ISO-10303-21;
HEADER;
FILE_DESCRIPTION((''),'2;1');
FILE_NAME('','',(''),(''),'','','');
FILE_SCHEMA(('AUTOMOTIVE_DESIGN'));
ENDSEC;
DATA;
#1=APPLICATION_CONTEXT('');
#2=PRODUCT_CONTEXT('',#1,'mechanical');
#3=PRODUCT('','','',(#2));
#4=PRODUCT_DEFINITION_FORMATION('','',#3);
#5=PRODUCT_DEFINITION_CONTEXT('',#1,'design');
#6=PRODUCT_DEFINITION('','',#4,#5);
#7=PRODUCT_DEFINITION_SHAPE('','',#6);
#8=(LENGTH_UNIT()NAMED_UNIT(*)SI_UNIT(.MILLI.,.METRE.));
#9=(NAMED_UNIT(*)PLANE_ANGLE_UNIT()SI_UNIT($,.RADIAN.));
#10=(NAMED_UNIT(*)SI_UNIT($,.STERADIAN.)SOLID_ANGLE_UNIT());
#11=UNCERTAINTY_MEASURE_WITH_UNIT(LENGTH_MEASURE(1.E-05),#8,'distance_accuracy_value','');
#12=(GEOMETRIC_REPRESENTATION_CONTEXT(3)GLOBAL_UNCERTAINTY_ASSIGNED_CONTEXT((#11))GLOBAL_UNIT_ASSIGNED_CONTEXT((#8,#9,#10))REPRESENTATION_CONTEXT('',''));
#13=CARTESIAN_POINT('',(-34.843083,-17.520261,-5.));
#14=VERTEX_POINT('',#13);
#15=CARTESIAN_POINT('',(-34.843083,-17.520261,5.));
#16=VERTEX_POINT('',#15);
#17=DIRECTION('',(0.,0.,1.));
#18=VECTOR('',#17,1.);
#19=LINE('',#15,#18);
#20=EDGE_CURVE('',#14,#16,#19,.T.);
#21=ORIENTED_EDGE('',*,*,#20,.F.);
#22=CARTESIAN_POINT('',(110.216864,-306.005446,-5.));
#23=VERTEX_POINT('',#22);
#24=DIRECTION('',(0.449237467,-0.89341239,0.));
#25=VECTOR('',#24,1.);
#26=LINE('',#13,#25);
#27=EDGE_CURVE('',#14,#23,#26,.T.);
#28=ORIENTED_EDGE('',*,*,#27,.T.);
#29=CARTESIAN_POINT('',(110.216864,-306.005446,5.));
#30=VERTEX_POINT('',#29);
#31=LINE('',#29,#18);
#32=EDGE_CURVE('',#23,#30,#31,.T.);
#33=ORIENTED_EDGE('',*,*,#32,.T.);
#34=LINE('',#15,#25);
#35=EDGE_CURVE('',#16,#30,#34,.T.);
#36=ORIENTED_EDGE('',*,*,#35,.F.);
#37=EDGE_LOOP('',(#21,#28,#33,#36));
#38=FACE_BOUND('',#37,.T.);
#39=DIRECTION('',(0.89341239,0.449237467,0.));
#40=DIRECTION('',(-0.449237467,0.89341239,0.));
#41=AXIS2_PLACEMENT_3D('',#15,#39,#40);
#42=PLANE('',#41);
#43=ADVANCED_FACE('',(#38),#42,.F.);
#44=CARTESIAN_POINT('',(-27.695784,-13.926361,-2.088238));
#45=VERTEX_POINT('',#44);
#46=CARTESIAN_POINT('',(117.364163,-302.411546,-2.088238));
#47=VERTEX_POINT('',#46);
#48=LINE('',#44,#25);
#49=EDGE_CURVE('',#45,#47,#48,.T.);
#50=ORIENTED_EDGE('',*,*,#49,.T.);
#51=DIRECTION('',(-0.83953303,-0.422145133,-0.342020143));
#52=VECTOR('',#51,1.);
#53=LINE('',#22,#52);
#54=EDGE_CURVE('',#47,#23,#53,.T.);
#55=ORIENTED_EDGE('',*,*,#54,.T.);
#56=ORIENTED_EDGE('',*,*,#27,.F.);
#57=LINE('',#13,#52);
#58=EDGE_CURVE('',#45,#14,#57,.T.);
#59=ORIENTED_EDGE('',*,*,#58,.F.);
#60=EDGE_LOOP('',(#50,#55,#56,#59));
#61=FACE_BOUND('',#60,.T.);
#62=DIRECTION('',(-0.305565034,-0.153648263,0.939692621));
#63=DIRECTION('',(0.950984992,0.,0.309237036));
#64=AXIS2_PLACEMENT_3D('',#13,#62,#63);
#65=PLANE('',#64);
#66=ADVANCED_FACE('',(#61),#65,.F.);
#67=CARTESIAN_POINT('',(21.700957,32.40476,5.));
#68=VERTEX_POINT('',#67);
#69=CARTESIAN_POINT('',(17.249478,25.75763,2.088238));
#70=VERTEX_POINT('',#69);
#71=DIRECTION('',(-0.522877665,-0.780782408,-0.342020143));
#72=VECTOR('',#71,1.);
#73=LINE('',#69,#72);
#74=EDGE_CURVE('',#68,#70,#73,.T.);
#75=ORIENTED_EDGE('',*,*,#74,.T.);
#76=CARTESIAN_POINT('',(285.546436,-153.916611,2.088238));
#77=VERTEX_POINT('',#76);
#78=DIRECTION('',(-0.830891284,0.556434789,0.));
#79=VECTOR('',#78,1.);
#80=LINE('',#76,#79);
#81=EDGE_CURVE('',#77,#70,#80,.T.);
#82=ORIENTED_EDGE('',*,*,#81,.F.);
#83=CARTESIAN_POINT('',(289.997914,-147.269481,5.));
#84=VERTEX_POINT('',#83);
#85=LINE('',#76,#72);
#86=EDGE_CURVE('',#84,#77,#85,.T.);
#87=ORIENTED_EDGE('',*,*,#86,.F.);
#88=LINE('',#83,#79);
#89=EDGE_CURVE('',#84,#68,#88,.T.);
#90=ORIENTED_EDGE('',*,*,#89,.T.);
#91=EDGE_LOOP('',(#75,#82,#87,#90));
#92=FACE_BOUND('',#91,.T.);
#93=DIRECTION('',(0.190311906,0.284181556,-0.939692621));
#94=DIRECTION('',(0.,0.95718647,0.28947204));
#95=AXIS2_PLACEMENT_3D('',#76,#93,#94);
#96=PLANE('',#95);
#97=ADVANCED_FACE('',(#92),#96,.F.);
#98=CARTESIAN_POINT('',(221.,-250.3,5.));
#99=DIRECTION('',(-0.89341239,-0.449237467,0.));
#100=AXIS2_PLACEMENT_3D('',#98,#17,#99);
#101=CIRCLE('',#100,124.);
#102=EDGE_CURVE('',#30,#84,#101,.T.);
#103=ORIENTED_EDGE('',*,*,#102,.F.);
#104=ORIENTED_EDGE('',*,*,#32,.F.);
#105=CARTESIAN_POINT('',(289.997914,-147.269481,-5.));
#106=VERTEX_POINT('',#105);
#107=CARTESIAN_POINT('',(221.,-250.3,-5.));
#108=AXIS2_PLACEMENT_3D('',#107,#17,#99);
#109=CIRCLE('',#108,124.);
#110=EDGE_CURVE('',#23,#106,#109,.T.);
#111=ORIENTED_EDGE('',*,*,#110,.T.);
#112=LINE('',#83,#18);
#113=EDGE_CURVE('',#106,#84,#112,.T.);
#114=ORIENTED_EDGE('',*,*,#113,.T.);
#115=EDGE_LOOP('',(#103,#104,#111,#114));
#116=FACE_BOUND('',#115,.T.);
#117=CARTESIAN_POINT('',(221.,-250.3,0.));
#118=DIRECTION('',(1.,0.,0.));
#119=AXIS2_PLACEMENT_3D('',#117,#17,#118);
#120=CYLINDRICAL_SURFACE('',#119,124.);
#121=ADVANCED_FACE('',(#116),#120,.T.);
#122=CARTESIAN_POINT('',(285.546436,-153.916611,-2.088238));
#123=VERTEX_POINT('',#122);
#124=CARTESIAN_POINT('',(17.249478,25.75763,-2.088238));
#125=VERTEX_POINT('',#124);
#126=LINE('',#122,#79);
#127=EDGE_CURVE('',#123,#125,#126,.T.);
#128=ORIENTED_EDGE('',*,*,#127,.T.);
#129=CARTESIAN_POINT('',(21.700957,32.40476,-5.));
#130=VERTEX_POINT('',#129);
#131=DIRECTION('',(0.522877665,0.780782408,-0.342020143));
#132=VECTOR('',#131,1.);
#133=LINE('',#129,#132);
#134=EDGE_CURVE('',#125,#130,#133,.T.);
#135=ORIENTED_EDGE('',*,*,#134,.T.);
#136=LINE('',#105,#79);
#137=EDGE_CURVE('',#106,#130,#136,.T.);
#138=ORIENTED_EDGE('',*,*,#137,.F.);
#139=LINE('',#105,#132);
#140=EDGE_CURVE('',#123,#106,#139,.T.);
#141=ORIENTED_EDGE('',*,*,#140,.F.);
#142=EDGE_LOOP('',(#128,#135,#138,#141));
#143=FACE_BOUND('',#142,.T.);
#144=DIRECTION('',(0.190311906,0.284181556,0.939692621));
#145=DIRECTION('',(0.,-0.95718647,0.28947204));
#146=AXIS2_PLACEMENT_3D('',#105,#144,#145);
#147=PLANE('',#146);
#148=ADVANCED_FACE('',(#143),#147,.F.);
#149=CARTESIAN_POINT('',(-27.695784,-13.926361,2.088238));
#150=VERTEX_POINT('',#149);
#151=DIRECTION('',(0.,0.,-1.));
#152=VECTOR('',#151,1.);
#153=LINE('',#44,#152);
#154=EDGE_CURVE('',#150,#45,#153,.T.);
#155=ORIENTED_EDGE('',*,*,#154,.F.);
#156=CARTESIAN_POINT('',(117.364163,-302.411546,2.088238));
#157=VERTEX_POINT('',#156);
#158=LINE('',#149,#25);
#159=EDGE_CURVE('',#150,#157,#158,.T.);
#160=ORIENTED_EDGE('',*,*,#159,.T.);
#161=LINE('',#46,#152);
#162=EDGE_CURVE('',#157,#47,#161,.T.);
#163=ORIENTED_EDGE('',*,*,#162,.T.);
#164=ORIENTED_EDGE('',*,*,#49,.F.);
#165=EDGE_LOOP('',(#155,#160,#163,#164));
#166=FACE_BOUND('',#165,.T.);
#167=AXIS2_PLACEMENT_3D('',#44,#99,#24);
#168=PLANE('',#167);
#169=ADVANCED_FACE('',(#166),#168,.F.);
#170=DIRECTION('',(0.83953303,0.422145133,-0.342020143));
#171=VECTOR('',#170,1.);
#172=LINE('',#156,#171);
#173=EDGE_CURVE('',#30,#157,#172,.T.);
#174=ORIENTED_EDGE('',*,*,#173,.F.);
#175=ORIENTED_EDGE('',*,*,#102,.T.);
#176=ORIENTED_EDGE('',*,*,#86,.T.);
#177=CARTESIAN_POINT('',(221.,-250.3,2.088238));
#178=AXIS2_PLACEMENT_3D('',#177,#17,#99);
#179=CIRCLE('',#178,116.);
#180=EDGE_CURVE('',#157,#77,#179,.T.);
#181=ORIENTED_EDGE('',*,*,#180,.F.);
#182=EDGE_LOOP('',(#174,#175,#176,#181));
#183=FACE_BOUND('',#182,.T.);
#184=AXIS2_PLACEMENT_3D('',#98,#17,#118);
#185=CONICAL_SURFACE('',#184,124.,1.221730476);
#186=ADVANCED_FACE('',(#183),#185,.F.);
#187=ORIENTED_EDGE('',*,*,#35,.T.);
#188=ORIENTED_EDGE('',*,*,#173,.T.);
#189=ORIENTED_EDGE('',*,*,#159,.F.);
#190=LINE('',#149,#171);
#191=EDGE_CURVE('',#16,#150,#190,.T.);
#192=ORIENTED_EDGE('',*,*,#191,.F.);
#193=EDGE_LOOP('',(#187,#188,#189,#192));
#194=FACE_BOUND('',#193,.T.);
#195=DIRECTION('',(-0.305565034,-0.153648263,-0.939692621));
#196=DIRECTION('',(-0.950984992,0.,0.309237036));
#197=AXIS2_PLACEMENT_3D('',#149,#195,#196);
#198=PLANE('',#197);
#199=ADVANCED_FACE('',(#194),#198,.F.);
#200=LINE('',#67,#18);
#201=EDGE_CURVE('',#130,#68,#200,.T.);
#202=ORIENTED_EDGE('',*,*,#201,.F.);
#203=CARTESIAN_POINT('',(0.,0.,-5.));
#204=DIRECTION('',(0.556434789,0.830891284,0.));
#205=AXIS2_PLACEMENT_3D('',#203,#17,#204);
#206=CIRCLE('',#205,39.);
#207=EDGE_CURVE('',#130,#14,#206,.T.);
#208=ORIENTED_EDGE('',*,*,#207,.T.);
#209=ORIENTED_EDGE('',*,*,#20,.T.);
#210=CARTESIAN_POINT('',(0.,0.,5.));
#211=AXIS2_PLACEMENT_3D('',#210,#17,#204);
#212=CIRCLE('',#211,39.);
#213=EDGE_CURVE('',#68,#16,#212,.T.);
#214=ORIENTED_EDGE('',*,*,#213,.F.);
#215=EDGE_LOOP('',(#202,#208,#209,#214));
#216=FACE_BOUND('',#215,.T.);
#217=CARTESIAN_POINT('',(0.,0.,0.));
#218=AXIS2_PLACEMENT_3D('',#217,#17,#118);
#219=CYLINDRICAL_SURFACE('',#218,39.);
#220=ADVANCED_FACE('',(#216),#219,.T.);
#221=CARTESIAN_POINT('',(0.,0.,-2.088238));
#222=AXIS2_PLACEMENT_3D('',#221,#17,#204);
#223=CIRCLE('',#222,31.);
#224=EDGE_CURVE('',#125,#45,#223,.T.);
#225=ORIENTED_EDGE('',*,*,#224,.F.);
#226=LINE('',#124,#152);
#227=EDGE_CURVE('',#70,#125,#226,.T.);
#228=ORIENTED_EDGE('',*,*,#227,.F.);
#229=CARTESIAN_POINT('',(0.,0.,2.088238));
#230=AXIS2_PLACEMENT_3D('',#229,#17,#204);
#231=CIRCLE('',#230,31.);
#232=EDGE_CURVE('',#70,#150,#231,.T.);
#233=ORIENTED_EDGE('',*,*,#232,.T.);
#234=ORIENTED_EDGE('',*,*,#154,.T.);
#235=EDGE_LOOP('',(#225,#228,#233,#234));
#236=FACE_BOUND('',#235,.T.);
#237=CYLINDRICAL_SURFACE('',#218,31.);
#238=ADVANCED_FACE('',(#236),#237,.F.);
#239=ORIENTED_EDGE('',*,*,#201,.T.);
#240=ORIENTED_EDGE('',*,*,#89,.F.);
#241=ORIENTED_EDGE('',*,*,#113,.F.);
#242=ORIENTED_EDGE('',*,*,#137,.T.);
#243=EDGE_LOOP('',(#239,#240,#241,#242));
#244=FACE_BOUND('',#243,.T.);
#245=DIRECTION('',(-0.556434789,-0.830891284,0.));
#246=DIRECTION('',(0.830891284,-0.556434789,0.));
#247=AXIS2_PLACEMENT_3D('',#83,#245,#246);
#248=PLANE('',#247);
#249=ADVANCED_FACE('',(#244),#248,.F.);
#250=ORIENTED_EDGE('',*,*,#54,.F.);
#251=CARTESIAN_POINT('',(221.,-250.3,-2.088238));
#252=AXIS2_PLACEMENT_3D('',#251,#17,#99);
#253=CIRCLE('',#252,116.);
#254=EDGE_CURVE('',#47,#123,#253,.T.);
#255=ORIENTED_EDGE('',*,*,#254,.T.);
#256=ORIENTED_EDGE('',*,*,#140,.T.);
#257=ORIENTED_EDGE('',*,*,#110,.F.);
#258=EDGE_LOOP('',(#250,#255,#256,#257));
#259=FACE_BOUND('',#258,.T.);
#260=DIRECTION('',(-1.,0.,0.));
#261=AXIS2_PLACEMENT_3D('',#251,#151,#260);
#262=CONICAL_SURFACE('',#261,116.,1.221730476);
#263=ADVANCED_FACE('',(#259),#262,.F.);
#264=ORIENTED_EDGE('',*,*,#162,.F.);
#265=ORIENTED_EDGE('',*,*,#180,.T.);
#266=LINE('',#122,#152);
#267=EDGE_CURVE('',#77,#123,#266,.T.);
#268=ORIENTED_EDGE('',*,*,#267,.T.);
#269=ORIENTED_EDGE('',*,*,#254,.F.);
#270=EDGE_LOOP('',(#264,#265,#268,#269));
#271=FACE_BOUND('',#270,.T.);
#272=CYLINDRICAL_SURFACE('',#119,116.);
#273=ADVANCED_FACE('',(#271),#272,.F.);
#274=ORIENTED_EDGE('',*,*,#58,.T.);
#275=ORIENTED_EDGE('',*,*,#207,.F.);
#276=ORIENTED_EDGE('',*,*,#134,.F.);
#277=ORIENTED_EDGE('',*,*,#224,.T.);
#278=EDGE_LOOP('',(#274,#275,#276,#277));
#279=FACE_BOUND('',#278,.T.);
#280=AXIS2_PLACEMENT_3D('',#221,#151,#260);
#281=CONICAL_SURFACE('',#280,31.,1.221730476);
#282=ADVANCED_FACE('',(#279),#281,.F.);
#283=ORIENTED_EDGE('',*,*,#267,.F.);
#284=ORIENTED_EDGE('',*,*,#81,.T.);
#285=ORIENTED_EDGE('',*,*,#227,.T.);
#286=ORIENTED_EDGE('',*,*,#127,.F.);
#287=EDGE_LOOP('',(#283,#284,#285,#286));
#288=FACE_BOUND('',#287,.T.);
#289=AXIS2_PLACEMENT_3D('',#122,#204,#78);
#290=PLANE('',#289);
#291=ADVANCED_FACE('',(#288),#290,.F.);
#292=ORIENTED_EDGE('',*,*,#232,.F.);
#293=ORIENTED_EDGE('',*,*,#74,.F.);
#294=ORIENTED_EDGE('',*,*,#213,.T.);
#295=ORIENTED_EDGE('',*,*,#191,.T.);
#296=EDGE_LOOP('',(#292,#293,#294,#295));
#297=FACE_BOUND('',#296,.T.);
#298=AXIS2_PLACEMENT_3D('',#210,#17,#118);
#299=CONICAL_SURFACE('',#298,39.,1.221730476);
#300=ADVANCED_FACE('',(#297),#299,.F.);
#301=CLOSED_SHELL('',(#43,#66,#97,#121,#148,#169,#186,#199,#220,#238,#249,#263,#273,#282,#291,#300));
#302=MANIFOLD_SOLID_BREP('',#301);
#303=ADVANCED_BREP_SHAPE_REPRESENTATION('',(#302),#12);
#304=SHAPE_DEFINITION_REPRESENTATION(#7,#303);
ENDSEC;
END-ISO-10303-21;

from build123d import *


with BuildPart() as part:
    # Sweep1: sweep along a path in Sketch2
    with BuildLine(Plane.XY) as sweep1_path:
        Line((16.693043668, 24.926738517), (284.990000729, -154.747502353))
        ThreePointArc((284.990000729, -154.747502353), (297.114961728, -336.50622136), (118.257575198, -301.962308754))
        Line((118.257575198, -301.962308754), (-26.802371687, -13.477124023))
        ThreePointArc((-26.802371687, -13.477124023), (-19.856076973, 22.488579485), (16.693043668, 24.926738517))
    # Sketch3 → Sweep1 (sweep)
    with BuildSketch(Plane(origin=(16.693043668, 24.926738517, 0), x_dir=(0, 0, -1), z_dir=(0.830891283891076, -0.5564347889500075, 0))):
        Polygon((2.088238126, 1), (-2.088238126, 1), (-5, 9), (5, 9), align=None)
    sweep(path=sweep1_path.line)


solid = part.part
